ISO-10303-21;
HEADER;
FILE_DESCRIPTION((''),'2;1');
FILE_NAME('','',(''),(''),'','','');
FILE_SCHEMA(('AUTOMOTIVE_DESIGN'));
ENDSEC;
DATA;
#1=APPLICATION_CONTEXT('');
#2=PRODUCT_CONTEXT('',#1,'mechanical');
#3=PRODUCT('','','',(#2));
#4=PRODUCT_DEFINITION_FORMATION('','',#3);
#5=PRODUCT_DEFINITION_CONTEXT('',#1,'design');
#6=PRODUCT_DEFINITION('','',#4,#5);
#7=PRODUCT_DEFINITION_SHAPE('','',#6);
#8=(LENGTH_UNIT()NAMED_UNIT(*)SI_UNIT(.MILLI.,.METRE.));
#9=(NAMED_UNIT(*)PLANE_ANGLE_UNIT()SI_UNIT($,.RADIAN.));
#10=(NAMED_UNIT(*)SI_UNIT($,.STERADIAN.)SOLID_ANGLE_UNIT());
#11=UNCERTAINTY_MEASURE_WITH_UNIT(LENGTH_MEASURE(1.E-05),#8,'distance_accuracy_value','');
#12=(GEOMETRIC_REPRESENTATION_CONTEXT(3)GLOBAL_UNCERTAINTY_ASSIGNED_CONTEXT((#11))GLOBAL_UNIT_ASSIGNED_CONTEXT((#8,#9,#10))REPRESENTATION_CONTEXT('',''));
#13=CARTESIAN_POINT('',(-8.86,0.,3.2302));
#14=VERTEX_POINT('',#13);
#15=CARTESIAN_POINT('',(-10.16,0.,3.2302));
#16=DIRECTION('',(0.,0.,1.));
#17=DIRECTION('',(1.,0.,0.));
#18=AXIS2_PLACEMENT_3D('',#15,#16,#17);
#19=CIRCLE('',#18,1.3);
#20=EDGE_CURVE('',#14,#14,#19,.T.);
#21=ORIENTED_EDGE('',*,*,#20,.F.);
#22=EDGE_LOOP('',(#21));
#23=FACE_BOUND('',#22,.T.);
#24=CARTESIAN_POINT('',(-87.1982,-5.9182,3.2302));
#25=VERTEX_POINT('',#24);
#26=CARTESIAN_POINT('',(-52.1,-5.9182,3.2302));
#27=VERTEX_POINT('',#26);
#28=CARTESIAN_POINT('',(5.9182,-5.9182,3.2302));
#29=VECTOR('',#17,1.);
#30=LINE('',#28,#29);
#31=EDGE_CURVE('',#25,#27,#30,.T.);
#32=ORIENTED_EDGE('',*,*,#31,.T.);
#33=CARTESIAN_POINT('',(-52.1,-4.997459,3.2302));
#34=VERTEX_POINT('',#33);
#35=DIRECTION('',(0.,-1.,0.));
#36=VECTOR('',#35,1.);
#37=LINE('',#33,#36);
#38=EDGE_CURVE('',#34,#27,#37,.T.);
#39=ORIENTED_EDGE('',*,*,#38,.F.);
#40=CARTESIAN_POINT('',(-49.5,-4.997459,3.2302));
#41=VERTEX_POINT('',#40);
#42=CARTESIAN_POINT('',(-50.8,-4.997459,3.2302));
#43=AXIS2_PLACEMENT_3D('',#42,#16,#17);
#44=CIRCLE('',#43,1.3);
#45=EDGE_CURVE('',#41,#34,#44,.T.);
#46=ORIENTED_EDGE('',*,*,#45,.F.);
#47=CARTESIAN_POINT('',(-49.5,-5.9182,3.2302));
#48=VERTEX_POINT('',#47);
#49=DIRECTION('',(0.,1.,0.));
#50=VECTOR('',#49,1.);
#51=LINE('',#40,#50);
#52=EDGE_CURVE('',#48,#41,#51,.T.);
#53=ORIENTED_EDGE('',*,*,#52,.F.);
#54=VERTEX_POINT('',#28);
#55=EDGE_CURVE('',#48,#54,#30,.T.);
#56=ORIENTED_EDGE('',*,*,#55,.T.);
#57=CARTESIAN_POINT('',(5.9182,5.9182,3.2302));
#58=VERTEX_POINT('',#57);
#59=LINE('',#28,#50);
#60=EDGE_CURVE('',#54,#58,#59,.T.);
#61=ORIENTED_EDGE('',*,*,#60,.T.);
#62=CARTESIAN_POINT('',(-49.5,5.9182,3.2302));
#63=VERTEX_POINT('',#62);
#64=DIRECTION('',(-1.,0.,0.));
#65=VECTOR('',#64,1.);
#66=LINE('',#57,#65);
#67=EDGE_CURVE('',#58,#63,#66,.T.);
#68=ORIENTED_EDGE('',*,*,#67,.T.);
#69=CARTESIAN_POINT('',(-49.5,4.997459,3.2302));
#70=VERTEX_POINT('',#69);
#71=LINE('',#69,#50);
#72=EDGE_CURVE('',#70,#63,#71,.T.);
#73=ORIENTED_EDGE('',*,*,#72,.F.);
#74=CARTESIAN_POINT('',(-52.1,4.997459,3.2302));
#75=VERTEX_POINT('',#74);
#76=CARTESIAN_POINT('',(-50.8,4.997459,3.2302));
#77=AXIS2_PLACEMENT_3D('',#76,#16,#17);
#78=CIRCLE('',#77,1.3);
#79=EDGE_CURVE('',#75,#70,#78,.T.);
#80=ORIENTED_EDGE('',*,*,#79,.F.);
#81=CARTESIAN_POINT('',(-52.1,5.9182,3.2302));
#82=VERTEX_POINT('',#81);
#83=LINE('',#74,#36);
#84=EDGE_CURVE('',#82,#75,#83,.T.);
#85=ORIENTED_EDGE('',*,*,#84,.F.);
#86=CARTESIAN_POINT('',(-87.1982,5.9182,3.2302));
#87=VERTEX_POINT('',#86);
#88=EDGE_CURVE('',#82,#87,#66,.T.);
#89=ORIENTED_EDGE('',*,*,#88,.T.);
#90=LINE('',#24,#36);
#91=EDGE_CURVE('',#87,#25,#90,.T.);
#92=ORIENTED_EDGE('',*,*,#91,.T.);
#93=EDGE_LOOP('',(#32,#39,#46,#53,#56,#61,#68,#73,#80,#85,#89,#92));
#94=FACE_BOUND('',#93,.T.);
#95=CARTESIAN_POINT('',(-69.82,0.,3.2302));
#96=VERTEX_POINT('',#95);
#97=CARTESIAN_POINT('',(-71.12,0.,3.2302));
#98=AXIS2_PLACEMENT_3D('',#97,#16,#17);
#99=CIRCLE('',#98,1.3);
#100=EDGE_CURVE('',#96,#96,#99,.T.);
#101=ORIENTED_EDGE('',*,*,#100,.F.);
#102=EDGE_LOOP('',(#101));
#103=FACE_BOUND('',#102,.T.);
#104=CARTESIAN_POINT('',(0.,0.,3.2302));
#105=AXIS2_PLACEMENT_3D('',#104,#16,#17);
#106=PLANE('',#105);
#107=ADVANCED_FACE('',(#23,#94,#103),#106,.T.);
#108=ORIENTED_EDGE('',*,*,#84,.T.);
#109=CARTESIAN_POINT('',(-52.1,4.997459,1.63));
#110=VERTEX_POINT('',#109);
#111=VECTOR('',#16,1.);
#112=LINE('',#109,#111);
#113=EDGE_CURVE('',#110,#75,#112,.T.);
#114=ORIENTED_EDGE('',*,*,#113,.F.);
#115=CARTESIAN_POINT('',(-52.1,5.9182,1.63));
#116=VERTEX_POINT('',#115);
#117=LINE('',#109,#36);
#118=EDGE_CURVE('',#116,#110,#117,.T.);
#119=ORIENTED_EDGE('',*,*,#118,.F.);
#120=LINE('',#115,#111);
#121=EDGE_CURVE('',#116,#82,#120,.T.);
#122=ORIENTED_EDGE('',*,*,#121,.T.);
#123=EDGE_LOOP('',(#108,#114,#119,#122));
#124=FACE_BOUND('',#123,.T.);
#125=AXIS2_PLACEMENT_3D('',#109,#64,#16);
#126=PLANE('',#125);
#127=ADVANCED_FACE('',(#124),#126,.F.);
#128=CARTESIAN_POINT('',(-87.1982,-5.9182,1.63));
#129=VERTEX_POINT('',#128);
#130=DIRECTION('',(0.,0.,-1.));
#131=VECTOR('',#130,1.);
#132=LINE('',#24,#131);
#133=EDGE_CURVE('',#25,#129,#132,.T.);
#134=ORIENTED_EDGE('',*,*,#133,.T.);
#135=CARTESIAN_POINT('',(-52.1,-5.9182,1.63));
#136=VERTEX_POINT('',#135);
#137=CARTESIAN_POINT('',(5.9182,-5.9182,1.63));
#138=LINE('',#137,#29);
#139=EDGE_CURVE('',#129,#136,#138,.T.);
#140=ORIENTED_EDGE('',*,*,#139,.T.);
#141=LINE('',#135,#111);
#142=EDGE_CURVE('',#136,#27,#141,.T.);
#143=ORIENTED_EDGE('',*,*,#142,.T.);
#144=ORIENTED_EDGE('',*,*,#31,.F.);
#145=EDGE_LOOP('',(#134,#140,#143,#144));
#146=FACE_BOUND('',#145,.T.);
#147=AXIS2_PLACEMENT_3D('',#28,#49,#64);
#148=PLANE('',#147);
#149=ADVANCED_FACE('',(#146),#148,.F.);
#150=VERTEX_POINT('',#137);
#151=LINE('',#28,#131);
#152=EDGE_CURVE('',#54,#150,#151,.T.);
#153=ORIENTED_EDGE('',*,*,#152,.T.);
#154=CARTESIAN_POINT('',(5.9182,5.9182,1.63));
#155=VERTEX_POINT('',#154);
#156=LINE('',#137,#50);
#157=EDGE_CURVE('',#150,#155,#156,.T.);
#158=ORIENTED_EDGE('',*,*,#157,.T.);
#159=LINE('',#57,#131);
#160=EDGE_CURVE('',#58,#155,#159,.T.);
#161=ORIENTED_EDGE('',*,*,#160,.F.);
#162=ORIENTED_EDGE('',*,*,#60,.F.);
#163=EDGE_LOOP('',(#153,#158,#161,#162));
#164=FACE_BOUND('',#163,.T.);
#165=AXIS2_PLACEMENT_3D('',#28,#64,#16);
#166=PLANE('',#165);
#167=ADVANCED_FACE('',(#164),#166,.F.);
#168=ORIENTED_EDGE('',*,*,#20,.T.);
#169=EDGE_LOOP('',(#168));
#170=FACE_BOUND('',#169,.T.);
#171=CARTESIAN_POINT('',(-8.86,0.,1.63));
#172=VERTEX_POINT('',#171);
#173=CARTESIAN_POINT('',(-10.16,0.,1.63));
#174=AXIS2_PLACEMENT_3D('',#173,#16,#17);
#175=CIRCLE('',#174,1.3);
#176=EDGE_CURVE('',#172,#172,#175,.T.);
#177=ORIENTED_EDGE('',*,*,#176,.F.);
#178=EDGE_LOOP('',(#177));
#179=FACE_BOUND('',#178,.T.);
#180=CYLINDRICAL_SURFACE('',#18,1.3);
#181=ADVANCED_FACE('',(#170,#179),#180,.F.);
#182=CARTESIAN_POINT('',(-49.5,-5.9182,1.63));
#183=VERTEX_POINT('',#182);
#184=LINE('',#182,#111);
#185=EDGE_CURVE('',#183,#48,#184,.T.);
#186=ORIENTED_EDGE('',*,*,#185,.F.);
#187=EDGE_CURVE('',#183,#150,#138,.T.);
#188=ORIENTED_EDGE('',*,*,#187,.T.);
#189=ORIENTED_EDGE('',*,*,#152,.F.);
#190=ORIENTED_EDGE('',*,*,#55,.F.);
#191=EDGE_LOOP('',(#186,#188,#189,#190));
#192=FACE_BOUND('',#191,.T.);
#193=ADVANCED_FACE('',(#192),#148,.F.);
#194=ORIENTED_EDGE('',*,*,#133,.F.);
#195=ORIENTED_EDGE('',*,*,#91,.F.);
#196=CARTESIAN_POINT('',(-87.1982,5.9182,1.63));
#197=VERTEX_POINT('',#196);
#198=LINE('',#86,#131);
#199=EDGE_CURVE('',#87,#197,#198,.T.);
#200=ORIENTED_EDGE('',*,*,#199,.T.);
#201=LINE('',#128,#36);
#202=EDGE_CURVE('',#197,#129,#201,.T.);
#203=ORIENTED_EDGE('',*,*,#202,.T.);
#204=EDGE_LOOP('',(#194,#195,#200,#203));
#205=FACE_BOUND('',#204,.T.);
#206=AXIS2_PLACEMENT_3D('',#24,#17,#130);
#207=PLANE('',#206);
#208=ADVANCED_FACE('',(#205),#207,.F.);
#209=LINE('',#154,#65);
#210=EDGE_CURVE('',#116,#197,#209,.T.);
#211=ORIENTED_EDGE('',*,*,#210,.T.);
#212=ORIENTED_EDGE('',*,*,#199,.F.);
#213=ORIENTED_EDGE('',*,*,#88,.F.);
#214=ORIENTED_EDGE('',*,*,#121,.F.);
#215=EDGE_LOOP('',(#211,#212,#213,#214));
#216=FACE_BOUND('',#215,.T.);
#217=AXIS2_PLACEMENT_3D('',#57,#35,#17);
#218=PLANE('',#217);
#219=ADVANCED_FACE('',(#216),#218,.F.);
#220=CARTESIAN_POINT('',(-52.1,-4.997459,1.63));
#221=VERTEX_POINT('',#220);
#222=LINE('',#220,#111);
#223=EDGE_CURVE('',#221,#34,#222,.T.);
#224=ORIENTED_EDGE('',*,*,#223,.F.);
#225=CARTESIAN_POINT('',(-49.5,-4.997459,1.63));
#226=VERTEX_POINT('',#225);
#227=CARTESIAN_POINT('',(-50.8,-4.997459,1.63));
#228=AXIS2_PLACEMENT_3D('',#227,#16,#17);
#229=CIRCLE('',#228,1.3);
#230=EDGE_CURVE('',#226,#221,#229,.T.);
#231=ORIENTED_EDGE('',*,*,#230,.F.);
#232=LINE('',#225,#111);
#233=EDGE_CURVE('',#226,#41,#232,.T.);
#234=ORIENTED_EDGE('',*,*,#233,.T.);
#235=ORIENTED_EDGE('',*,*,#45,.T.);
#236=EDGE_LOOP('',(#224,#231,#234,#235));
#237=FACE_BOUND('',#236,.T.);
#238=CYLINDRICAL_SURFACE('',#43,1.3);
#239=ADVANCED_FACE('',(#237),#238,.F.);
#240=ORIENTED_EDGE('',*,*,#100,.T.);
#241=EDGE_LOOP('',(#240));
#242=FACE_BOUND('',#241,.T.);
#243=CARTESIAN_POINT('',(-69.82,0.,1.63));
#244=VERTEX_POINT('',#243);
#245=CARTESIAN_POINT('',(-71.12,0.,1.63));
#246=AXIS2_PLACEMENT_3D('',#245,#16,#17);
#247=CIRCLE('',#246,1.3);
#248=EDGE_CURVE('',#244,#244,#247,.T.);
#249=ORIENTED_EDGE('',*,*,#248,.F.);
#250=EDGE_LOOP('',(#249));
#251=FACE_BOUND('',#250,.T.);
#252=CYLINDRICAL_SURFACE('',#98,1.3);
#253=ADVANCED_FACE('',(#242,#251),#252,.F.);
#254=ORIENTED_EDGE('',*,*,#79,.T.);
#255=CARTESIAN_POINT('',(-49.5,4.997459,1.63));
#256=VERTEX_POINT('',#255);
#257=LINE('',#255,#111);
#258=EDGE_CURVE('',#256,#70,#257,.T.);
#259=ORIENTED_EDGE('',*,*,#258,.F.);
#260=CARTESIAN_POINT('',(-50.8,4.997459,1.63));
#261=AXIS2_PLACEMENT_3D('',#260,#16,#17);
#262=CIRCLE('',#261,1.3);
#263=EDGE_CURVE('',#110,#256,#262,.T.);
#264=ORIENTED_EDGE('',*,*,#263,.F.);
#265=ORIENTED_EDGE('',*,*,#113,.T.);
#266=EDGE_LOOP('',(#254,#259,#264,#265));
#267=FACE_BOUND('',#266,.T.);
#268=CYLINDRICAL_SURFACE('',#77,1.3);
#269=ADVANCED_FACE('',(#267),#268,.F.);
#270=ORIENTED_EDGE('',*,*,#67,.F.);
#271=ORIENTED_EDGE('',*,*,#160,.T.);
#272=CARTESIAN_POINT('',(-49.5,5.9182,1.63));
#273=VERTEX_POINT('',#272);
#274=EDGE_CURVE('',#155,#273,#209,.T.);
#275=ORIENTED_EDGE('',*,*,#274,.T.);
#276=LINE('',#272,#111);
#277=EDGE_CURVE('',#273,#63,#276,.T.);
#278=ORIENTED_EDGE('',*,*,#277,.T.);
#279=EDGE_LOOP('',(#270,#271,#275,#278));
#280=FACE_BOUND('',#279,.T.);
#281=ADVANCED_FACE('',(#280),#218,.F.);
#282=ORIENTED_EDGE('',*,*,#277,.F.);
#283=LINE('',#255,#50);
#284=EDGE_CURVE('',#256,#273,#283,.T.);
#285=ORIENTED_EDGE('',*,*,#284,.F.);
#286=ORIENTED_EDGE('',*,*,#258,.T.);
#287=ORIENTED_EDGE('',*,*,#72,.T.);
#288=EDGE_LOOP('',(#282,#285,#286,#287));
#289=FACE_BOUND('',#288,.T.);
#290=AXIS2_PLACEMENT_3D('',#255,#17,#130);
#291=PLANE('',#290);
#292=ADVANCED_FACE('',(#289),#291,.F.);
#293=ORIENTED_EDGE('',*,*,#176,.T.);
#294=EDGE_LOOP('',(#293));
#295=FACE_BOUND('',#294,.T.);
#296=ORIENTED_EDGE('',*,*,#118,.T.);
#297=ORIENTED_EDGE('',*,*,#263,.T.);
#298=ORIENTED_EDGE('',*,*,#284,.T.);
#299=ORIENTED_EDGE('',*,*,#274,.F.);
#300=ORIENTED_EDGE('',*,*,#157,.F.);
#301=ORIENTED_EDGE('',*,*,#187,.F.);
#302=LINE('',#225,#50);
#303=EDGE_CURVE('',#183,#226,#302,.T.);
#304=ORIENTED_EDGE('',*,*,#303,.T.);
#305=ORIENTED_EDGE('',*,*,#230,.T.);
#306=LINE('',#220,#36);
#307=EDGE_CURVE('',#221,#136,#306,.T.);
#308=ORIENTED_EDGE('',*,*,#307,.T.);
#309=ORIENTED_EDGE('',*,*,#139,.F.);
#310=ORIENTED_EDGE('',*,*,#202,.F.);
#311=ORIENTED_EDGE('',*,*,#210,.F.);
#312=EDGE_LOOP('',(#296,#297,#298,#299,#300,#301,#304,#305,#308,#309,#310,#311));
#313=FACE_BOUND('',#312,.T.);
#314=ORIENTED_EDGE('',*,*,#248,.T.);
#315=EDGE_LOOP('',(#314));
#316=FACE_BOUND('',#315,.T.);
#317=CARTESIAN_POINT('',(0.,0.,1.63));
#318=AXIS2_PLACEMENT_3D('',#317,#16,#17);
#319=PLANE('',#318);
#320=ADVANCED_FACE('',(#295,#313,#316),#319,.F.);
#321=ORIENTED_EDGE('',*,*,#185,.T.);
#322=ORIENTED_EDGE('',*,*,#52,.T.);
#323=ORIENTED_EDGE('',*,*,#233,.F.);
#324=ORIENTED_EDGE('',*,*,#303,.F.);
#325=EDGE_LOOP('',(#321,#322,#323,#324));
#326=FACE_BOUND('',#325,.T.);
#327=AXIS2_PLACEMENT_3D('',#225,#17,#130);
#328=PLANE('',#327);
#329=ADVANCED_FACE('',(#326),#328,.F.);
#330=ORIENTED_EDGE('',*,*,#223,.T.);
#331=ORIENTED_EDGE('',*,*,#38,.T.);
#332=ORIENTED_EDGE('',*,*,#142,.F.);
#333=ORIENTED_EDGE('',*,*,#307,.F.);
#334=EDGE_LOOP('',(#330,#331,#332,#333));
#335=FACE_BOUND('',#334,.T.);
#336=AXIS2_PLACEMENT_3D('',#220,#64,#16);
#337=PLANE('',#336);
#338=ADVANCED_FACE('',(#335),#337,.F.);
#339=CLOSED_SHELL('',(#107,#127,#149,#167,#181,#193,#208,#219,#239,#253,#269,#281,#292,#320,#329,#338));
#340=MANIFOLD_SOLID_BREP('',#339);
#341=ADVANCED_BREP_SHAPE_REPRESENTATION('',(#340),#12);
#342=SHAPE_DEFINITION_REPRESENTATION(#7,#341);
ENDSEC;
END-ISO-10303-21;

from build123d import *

# Parameters (mm, degrees)
SKETCH1_W                  = 93.116399905
SKETCH1_H                  = 11.836399908
BOSS_EXTRUDE1_DEPTH        = 1.6002
F_2_6_2_6_DIAMETER_HOLE1_D = 2.6
SKETCH6_W                  = 2.6
SKETCH6_H                  = 0.920741122
CUT_EXTRUDE1_DEPTH         = 2.6002


with BuildPart() as part:
    # Sketch1 → Boss-Extrude1 (new body)
    with BuildSketch(Plane.XY.offset(1.63)):
        with Locations((-40.639999999, 0)):
            Rectangle(SKETCH1_W, SKETCH1_H)
    extrude(amount=BOSS_EXTRUDE1_DEPTH)

    # Ø2.6 (2.6) Diameter Hole1 (through all)
    with Locations(Plane.XY.offset(3.2302)):
        with Locations((-50.800000064, 4.997458832), (-50.800000064, -4.997458832), (-10.160000092, -7.6e-08), (-71.119999812, -3.5e-08)):
            Hole(F_2_6_2_6_DIAMETER_HOLE1_D / 2)

    # Sketch6 → Cut-Extrude1 (cut, through all)
    with BuildSketch(Plane.XY.offset(3.2302)):
        with Locations((-50.800000064, 5.457829393)):
            Rectangle(SKETCH6_W, SKETCH6_H)
        with Locations((-50.800000064, -5.457829393)):
            Rectangle(SKETCH6_W, SKETCH6_H)
    extrude(amount=-CUT_EXTRUDE1_DEPTH, mode=Mode.SUBTRACT)


solid = part.part
